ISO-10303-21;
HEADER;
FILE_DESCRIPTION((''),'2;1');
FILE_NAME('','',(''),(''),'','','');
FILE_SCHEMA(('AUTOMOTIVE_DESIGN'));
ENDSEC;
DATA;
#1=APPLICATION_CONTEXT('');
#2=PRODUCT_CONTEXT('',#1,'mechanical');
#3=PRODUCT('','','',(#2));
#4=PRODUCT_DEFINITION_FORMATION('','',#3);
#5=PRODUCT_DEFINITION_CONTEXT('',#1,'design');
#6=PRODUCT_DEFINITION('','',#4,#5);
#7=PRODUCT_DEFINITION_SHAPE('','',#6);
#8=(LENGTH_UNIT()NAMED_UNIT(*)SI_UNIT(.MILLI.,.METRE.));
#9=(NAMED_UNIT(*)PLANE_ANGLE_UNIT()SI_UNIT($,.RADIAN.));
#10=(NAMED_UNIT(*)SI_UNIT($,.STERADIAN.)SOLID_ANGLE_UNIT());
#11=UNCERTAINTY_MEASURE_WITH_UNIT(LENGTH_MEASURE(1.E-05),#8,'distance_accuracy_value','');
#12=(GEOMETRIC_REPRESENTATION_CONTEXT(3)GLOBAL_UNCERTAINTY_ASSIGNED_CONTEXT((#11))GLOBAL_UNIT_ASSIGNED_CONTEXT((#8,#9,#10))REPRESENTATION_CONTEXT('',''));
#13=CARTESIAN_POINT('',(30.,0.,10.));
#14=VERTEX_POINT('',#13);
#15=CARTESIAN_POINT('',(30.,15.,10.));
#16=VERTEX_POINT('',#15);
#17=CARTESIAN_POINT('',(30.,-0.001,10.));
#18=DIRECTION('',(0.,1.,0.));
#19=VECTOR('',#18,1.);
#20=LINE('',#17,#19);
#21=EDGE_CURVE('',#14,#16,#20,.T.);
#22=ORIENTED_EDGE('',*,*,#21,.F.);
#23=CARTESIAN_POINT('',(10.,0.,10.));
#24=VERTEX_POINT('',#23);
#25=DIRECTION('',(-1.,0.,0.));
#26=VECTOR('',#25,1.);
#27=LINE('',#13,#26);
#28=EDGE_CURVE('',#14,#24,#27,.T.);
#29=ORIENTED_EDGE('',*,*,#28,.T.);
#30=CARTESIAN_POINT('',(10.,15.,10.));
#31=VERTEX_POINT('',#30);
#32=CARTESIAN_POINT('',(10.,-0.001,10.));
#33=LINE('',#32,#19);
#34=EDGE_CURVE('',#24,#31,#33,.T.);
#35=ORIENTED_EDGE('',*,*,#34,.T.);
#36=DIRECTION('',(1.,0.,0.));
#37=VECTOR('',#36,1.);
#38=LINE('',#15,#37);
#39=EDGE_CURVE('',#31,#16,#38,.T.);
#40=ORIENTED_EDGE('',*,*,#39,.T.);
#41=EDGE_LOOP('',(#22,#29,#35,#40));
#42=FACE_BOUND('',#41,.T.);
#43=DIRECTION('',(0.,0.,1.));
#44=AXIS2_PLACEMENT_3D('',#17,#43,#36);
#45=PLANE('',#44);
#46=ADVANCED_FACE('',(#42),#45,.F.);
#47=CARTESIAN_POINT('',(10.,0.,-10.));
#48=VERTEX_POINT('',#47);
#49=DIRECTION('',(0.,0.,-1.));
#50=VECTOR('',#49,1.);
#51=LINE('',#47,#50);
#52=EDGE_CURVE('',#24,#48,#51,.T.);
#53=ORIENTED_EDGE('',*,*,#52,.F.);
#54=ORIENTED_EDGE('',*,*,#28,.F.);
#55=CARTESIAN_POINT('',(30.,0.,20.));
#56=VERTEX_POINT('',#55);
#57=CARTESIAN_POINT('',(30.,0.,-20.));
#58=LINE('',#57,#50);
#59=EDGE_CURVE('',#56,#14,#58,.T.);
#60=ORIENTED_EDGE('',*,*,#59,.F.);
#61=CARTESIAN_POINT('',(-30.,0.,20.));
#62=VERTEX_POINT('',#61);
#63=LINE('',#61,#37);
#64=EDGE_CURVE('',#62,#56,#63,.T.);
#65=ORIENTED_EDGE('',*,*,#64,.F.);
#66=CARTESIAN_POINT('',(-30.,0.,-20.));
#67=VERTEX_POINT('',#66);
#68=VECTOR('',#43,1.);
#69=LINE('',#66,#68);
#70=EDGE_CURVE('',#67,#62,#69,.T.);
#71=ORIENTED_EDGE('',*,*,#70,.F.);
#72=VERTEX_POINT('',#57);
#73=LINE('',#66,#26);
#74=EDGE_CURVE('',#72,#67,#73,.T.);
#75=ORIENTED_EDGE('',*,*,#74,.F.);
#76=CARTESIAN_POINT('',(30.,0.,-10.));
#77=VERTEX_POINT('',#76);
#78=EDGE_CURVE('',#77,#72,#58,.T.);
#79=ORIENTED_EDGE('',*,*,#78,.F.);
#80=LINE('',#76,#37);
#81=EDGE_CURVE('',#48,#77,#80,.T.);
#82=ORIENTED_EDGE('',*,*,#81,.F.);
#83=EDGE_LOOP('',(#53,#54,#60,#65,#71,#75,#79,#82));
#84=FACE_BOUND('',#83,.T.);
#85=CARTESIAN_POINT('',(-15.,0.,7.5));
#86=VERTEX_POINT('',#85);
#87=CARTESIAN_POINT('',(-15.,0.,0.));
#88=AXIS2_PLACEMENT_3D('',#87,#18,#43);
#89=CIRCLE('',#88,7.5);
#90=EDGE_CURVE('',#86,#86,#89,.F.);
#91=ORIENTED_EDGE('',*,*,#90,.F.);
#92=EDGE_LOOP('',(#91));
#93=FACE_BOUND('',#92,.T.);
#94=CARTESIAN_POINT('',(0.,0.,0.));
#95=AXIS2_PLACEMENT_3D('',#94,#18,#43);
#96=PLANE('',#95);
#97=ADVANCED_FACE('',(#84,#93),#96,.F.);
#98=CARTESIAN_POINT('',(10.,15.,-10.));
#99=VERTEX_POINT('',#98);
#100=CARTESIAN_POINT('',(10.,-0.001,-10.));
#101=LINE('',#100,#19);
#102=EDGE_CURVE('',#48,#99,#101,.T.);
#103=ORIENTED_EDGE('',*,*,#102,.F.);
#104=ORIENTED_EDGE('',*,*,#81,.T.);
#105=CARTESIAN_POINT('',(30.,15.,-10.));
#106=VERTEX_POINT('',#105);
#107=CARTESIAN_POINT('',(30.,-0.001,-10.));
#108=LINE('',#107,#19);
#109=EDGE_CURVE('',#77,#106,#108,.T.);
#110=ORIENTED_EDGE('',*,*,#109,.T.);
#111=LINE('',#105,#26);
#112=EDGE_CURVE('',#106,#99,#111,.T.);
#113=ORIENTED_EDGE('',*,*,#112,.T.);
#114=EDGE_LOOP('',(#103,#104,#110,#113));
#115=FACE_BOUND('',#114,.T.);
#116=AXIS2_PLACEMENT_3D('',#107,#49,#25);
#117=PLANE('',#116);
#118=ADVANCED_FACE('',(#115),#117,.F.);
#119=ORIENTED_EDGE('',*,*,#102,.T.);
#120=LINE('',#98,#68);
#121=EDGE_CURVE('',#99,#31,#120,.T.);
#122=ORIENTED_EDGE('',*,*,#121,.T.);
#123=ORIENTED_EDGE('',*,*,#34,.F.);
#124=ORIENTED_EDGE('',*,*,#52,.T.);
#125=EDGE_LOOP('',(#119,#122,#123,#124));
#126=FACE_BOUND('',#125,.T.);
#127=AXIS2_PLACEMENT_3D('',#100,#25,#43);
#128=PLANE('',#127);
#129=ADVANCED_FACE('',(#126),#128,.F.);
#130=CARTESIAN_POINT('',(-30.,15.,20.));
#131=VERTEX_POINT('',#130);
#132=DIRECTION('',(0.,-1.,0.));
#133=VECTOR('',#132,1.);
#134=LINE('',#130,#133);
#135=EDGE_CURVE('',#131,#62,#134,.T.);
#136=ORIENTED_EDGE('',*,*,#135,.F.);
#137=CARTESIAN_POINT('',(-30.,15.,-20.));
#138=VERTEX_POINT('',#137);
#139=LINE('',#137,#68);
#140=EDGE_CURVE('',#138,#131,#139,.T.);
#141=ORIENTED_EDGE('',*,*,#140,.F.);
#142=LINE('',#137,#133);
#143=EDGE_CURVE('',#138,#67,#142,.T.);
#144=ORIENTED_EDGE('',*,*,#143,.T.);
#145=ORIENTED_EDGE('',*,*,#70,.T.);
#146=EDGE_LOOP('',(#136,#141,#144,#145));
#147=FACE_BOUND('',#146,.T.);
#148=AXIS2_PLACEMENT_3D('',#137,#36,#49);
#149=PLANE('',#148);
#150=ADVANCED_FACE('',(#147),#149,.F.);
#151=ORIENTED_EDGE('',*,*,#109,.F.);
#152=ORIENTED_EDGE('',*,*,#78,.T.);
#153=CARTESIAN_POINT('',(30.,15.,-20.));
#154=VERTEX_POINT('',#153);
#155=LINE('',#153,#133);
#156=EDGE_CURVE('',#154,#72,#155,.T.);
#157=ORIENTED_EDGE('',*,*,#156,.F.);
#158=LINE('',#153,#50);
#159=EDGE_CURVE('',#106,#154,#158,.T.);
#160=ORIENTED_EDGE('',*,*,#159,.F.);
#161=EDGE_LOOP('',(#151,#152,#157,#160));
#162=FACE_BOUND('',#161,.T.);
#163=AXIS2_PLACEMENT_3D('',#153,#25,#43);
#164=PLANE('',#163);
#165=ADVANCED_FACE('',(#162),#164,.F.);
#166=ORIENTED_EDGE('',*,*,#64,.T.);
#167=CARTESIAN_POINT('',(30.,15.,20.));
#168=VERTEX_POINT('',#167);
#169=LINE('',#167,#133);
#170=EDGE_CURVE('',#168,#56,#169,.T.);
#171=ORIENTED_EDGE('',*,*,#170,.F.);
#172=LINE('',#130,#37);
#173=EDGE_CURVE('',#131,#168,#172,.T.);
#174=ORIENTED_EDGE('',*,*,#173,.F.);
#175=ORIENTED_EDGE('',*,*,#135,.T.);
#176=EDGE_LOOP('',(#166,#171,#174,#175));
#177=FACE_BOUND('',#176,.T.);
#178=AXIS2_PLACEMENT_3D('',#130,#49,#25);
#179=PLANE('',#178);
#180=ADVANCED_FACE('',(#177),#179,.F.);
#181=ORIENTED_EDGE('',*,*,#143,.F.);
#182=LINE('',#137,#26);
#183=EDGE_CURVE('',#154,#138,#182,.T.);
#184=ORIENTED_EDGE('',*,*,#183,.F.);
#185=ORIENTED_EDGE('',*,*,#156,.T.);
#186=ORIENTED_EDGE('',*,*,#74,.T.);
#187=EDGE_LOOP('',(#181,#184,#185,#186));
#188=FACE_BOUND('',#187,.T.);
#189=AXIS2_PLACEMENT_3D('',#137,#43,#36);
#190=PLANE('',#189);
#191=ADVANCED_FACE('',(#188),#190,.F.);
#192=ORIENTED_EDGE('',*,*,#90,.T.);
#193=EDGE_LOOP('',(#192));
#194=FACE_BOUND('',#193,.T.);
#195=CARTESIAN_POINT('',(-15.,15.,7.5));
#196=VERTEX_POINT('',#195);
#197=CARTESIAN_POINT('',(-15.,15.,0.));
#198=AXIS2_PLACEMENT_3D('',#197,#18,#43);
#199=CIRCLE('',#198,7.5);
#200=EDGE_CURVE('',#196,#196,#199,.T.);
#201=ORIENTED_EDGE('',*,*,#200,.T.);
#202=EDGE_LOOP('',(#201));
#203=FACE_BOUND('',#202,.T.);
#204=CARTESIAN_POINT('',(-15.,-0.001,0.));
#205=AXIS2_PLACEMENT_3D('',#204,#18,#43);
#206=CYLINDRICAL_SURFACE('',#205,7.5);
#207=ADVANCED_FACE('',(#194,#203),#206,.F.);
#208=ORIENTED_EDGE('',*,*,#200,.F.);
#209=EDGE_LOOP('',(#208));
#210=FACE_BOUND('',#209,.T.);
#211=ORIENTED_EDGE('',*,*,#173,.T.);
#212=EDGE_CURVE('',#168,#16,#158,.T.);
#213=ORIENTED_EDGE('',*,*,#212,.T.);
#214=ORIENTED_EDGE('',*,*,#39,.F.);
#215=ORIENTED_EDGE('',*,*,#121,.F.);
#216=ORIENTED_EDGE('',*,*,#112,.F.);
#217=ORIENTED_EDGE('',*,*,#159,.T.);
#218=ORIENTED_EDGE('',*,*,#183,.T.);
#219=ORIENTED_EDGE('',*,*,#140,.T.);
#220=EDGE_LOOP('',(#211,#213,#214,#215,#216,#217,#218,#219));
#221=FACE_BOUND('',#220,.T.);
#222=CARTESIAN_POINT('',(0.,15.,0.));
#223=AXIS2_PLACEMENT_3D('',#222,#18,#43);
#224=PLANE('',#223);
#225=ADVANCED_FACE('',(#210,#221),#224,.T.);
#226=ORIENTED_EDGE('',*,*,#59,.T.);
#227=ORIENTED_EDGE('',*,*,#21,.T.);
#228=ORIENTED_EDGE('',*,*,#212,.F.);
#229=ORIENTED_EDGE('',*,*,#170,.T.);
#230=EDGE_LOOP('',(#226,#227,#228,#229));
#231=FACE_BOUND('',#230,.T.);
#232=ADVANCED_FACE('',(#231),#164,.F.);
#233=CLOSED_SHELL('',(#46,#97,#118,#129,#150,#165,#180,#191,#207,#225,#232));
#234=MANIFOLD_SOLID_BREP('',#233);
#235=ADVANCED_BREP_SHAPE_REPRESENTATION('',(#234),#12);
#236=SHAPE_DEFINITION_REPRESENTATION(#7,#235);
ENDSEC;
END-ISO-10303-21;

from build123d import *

# Parameters (mm, degrees)
SKETCH1_W           = 60
SKETCH1_H           = 40
BOSS_EXTRUDE1_DEPTH = 15
CUT_EXTRUDE1_REACH  = 17
SKETCH2_R           = 7.5
CUT_EXTRUDE2_REACH  = 17
SKETCH3_W           = 20
SKETCH3_H           = 20


with BuildPart() as part:
    # Sketch1 → Boss-Extrude1 (new body)
    with BuildSketch(Plane(origin=(0, 0, 0), x_dir=(1, 0, 0), z_dir=(0, 1, 0))):
        Rectangle(SKETCH1_W, SKETCH1_H)
    extrude(amount=BOSS_EXTRUDE1_DEPTH)

    # Sketch2 → Cut-Extrude1 (cut, up to next)
    with BuildSketch(Plane(origin=(0, 15, 0), x_dir=(1, 0, 0), z_dir=(0, 1, 0)), mode=Mode.PRIVATE) as cut_extrude1_sk1:
        with Locations((-15, 0)):
            Circle(SKETCH2_R)
    cut_extrude1_tool1 = extrude(cut_extrude1_sk1.sketch, amount=-CUT_EXTRUDE1_REACH, mode=Mode.PRIVATE) & part.part
    add(cut_extrude1_tool1.solids().sort_by_distance((-15, 15, 0))[0], mode=Mode.SUBTRACT)

    # Sketch3 → Cut-Extrude2 (cut, up to next)
    with BuildSketch(Plane(origin=(0, 15, 0), x_dir=(1, 0, 0), z_dir=(0, 1, 0)), mode=Mode.PRIVATE) as cut_extrude2_sk1:
        with Locations((20, 0)):
            Rectangle(SKETCH3_W, SKETCH3_H)
    cut_extrude2_tool1 = extrude(cut_extrude2_sk1.sketch, amount=-CUT_EXTRUDE2_REACH, mode=Mode.PRIVATE) & part.part
    add(cut_extrude2_tool1.solids().sort_by_distance((20, 15, 0))[0], mode=Mode.SUBTRACT)


solid = part.part
